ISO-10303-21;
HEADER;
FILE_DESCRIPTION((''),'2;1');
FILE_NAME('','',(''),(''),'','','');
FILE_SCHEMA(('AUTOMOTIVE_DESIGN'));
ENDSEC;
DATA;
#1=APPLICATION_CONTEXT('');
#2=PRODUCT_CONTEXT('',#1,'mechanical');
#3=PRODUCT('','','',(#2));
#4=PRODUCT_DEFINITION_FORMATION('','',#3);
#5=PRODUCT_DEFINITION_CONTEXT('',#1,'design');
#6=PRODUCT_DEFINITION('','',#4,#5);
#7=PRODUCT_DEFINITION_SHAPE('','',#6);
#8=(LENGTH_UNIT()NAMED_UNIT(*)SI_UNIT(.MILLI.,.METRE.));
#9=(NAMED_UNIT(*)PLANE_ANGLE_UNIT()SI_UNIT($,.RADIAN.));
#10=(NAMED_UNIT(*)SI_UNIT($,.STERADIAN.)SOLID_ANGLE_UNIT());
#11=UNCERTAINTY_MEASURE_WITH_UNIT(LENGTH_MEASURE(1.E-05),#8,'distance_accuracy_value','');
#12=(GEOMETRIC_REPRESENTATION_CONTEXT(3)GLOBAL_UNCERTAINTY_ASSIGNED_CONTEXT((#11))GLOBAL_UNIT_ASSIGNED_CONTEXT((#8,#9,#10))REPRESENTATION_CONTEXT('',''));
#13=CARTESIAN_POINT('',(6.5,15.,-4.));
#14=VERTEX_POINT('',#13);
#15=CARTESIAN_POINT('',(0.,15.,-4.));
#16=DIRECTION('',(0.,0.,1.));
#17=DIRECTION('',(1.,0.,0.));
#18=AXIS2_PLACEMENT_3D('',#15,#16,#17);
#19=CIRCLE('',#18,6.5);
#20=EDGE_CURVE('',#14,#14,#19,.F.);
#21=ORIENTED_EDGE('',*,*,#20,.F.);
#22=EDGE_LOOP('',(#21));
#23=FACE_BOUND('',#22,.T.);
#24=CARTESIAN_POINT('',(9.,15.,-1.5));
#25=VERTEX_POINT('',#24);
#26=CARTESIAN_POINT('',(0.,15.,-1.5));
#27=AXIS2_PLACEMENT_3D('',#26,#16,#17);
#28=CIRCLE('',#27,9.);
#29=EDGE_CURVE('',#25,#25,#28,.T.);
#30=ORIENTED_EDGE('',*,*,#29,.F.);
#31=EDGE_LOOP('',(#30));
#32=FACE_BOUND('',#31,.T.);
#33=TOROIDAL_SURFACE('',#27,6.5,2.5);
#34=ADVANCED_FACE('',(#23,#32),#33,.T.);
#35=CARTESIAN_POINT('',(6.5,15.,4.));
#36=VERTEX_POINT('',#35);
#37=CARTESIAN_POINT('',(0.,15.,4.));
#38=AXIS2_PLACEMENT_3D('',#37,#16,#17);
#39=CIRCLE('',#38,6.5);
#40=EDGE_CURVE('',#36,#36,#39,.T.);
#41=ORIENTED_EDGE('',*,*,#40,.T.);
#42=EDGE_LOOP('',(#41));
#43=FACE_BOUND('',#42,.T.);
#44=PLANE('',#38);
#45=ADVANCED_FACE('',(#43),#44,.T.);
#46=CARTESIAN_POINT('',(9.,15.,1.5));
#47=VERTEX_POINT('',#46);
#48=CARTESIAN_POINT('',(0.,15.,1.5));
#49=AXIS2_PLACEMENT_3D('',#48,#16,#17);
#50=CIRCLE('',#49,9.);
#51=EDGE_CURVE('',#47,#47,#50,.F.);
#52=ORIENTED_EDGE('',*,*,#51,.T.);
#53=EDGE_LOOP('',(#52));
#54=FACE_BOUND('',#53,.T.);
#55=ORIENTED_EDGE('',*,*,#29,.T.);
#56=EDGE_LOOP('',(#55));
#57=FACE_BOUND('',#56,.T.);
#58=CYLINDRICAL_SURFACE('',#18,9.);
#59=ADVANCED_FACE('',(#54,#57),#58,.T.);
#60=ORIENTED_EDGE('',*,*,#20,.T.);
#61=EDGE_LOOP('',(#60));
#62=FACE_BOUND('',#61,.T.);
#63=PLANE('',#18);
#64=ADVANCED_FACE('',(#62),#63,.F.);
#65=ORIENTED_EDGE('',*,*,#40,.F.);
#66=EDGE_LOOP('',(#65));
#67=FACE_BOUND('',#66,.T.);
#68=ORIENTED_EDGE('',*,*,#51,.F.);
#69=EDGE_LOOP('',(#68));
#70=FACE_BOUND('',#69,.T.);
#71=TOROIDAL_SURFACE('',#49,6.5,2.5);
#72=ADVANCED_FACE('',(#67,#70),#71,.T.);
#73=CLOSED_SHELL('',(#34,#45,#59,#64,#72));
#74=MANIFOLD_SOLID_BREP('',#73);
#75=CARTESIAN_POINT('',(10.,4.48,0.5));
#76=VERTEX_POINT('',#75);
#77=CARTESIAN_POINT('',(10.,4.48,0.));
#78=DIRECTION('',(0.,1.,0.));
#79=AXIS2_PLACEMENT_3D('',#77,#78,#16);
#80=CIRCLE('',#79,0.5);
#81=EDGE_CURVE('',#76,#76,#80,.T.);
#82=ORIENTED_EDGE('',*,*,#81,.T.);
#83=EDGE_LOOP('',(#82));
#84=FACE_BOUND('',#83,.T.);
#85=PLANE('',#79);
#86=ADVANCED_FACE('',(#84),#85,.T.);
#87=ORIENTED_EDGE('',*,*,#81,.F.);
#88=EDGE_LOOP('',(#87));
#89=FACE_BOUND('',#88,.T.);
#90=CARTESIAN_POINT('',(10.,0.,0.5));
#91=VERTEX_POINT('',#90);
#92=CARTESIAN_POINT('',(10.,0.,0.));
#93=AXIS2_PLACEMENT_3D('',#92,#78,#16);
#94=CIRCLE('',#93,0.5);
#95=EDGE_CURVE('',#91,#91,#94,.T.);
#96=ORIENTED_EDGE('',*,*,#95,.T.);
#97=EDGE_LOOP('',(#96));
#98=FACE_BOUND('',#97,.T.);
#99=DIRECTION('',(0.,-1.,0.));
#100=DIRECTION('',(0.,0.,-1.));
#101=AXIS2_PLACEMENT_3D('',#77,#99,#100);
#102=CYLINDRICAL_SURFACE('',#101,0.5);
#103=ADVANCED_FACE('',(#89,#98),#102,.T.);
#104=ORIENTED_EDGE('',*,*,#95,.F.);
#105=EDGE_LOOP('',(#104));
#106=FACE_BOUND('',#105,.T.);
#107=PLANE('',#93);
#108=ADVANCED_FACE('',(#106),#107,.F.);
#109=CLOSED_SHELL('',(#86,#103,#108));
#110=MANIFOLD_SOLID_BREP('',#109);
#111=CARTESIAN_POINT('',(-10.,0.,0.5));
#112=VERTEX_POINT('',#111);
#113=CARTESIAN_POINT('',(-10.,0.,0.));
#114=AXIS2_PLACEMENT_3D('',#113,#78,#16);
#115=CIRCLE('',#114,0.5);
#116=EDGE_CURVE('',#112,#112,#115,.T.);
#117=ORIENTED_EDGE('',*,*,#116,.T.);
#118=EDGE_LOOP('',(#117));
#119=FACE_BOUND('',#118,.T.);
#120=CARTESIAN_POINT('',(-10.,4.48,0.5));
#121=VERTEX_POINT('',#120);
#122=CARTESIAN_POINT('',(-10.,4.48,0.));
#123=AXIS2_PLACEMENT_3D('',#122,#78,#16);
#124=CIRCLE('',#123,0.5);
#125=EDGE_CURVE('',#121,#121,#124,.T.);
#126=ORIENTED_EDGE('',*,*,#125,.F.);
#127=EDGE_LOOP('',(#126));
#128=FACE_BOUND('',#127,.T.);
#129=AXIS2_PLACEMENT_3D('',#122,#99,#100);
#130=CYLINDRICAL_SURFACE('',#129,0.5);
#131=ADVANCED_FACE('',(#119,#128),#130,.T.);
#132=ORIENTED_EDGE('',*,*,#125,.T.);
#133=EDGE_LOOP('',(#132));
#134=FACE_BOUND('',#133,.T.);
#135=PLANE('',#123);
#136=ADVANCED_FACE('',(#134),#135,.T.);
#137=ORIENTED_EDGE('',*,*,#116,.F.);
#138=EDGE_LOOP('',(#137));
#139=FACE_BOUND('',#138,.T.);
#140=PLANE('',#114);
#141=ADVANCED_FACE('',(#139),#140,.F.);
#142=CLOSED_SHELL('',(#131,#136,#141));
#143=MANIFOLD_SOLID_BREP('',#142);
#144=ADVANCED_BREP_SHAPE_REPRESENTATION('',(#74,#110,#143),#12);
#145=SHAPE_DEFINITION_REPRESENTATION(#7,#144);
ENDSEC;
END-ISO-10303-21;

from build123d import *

# Parameters (mm, degrees)
EXTRUDE_1_DEPTH      = 4
EXTRUDE_1_DEPTH_BACK = 4
SKETCH_1_R           = 9
SKETCH_3_R           = 0.5
EXTRUDE_2_DEPTH      = 4.48
EXTRUDE_2_2_DEPTH    = 4.48
FILLET_1_R           = 2.5


with BuildPart() as part:
    # Эскиз1 → Вытянуть1 (new, two sides: drawn at the far end of the back side and taken through both)
    with BuildSketch(Plane.XY.offset(-EXTRUDE_1_DEPTH_BACK)):
        with Locations((0, 15)):
            Circle(SKETCH_1_R)
    extrude(amount=EXTRUDE_1_DEPTH + EXTRUDE_1_DEPTH_BACK)

    # Скругление1
    fillet_1_edges = [part.edges().sort_by_distance(p)[0] for p in [
        (-9, 15, -4),
        (-9, 15, 4),
    ]]
    fillet(fillet_1_edges, radius=FILLET_1_R)


with BuildPart() as body_2:
    # Эскиз3 → Вытянуть2 (new body)
    with BuildSketch(Plane(origin=(0, 0, 0), x_dir=(1, 0, 0), z_dir=(0, 1, 0))):
        with Locations((-10, 0)):
            Circle(SKETCH_3_R)
    extrude(amount=EXTRUDE_2_DEPTH)


with BuildPart() as body_3:
    # Эскиз3 → Extrude 2 2 (new body)
    with BuildSketch(Plane(origin=(0, 0, 0), x_dir=(1, 0, 0), z_dir=(0, 1, 0))):
        with Locations((10, 0)):
            Circle(SKETCH_3_R)
    extrude(amount=EXTRUDE_2_2_DEPTH)


solid = Compound([part.part, body_2.part, body_3.part])
